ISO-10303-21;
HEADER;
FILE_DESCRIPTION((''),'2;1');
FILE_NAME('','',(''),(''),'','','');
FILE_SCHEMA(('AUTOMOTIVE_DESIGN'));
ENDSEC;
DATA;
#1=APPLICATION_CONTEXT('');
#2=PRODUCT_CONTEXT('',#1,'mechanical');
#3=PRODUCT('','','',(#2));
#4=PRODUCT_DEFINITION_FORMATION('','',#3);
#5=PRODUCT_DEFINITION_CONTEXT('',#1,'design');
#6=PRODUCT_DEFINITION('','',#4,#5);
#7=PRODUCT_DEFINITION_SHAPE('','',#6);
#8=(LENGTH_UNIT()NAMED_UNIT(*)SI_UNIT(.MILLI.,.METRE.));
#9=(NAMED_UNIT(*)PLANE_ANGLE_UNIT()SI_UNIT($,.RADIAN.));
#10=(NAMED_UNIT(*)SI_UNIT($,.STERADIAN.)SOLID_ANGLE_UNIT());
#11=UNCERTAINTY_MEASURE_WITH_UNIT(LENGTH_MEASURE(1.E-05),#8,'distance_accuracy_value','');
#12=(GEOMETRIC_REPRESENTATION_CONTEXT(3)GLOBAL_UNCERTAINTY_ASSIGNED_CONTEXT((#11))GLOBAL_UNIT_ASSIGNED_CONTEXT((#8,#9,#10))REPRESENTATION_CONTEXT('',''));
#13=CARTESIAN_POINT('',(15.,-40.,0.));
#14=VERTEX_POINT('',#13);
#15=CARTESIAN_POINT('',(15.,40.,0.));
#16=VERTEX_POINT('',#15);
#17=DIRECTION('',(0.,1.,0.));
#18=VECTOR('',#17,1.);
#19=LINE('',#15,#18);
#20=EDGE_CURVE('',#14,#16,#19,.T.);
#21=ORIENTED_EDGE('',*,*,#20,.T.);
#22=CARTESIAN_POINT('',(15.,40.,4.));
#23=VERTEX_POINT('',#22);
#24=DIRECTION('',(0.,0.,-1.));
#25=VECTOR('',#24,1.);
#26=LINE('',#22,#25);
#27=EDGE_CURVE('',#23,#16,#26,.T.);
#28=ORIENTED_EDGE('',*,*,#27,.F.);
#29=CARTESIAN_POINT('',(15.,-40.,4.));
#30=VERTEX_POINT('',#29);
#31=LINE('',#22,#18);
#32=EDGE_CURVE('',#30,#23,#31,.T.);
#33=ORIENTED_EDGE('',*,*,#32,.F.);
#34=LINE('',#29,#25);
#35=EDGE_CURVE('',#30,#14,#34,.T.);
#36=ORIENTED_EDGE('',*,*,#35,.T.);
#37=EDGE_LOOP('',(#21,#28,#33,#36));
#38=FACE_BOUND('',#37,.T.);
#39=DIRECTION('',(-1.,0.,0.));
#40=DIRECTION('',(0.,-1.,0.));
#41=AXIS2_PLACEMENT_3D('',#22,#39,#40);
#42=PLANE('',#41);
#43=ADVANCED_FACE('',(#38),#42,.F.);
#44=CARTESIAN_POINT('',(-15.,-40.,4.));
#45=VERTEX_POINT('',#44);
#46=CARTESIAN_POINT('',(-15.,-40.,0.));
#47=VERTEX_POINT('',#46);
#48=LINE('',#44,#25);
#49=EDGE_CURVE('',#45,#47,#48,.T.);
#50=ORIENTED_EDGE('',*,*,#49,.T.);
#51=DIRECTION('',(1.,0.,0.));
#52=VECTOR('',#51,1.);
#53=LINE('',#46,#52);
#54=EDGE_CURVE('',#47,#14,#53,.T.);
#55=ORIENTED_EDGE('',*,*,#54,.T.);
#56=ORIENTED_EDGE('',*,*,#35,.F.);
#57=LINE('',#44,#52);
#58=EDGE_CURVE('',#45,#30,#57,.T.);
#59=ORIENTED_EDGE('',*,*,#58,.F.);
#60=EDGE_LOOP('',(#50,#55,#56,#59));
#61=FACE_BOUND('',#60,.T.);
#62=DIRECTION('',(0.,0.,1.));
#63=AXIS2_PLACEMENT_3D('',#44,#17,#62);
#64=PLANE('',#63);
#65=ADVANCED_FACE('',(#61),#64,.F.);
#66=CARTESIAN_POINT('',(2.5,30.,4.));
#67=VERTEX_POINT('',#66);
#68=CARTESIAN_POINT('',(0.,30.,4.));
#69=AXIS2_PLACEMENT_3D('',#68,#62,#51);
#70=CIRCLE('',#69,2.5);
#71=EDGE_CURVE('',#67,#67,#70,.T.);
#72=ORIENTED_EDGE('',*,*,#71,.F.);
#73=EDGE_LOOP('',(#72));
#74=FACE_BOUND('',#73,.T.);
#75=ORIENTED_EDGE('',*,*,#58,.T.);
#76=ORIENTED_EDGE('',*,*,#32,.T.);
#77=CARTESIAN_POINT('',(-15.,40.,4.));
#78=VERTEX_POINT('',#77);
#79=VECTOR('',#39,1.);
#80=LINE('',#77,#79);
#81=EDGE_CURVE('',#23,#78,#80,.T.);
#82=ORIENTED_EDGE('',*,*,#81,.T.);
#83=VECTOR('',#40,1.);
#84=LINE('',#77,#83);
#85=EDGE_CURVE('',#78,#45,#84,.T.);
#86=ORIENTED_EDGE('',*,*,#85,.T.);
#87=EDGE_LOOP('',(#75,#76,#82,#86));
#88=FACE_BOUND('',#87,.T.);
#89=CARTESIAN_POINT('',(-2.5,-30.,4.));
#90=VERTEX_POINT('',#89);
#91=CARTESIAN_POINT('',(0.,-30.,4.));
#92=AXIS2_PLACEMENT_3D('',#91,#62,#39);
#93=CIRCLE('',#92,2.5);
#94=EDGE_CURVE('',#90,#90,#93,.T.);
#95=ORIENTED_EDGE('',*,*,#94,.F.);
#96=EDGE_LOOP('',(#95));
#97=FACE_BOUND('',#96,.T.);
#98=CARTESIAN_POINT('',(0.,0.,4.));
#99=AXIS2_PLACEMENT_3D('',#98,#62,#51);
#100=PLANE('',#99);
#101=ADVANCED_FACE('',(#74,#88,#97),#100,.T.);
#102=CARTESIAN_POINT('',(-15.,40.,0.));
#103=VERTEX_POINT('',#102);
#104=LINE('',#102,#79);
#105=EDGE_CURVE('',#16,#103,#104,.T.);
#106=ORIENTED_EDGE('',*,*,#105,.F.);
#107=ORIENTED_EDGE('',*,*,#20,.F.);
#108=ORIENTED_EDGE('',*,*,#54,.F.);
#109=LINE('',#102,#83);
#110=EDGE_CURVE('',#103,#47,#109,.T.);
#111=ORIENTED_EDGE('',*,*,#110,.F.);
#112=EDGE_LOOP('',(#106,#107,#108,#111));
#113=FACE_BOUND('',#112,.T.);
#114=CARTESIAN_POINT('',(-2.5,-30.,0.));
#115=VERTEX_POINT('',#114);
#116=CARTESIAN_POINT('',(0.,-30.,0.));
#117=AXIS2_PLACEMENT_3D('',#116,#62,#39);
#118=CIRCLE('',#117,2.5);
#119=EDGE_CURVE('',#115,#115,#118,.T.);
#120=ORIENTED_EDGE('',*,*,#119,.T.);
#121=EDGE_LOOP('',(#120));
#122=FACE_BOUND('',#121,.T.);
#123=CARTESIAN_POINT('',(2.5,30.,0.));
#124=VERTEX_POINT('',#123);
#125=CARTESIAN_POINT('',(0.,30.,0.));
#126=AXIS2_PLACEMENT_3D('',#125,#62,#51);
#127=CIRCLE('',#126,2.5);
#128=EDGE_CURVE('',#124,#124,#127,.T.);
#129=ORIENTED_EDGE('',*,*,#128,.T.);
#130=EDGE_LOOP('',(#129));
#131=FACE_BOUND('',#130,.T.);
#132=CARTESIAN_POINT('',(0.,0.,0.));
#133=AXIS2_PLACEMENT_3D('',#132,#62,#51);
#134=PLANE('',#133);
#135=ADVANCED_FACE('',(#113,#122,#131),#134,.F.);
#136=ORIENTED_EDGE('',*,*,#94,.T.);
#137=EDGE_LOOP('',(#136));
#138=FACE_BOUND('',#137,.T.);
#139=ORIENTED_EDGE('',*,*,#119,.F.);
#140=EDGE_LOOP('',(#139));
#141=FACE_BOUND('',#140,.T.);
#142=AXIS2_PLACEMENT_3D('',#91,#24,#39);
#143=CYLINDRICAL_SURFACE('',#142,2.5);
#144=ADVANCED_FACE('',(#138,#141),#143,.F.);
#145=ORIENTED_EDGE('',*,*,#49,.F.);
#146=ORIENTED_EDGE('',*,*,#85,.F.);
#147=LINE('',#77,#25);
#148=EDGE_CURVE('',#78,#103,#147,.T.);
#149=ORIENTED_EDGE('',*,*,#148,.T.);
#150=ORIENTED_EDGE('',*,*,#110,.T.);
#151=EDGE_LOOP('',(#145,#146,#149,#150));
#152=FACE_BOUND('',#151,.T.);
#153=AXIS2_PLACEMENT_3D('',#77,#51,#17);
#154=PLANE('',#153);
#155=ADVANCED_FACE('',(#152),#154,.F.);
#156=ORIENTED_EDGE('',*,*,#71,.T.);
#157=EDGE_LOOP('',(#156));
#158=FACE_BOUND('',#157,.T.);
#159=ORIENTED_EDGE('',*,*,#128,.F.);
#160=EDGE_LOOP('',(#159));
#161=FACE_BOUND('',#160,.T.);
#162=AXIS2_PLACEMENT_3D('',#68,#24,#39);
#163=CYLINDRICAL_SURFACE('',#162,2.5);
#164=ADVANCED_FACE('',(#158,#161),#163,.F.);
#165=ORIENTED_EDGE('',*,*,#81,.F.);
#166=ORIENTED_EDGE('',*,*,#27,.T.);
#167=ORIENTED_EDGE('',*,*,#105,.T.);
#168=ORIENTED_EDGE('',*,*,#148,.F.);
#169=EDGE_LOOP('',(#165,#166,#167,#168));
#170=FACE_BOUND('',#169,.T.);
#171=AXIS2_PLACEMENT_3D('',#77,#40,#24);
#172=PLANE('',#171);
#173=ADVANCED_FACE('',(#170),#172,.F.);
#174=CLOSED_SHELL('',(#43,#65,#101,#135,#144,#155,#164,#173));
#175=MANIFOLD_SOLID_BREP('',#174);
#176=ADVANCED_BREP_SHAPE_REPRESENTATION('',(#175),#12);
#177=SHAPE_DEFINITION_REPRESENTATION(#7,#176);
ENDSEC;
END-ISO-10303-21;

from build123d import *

# Parameters (mm, degrees)
ESQUISSE1_W        = 30
ESQUISSE1_H        = 80
ESQUISSE1_R        = 2.5
BOSS_EXTRU_1_DEPTH = 4


with BuildPart() as part:
    # Esquisse1 → Boss.-Extru.1 (new body)
    with BuildSketch(Plane.XY):
        Rectangle(ESQUISSE1_W, ESQUISSE1_H)
        with Locations((0, 30)):
            Circle(ESQUISSE1_R, mode=Mode.SUBTRACT)
        with Locations(Location((0, -30, 0), (0, 0, 180))):
            Circle(ESQUISSE1_R, mode=Mode.SUBTRACT)
    extrude(amount=BOSS_EXTRU_1_DEPTH)


solid = part.part
